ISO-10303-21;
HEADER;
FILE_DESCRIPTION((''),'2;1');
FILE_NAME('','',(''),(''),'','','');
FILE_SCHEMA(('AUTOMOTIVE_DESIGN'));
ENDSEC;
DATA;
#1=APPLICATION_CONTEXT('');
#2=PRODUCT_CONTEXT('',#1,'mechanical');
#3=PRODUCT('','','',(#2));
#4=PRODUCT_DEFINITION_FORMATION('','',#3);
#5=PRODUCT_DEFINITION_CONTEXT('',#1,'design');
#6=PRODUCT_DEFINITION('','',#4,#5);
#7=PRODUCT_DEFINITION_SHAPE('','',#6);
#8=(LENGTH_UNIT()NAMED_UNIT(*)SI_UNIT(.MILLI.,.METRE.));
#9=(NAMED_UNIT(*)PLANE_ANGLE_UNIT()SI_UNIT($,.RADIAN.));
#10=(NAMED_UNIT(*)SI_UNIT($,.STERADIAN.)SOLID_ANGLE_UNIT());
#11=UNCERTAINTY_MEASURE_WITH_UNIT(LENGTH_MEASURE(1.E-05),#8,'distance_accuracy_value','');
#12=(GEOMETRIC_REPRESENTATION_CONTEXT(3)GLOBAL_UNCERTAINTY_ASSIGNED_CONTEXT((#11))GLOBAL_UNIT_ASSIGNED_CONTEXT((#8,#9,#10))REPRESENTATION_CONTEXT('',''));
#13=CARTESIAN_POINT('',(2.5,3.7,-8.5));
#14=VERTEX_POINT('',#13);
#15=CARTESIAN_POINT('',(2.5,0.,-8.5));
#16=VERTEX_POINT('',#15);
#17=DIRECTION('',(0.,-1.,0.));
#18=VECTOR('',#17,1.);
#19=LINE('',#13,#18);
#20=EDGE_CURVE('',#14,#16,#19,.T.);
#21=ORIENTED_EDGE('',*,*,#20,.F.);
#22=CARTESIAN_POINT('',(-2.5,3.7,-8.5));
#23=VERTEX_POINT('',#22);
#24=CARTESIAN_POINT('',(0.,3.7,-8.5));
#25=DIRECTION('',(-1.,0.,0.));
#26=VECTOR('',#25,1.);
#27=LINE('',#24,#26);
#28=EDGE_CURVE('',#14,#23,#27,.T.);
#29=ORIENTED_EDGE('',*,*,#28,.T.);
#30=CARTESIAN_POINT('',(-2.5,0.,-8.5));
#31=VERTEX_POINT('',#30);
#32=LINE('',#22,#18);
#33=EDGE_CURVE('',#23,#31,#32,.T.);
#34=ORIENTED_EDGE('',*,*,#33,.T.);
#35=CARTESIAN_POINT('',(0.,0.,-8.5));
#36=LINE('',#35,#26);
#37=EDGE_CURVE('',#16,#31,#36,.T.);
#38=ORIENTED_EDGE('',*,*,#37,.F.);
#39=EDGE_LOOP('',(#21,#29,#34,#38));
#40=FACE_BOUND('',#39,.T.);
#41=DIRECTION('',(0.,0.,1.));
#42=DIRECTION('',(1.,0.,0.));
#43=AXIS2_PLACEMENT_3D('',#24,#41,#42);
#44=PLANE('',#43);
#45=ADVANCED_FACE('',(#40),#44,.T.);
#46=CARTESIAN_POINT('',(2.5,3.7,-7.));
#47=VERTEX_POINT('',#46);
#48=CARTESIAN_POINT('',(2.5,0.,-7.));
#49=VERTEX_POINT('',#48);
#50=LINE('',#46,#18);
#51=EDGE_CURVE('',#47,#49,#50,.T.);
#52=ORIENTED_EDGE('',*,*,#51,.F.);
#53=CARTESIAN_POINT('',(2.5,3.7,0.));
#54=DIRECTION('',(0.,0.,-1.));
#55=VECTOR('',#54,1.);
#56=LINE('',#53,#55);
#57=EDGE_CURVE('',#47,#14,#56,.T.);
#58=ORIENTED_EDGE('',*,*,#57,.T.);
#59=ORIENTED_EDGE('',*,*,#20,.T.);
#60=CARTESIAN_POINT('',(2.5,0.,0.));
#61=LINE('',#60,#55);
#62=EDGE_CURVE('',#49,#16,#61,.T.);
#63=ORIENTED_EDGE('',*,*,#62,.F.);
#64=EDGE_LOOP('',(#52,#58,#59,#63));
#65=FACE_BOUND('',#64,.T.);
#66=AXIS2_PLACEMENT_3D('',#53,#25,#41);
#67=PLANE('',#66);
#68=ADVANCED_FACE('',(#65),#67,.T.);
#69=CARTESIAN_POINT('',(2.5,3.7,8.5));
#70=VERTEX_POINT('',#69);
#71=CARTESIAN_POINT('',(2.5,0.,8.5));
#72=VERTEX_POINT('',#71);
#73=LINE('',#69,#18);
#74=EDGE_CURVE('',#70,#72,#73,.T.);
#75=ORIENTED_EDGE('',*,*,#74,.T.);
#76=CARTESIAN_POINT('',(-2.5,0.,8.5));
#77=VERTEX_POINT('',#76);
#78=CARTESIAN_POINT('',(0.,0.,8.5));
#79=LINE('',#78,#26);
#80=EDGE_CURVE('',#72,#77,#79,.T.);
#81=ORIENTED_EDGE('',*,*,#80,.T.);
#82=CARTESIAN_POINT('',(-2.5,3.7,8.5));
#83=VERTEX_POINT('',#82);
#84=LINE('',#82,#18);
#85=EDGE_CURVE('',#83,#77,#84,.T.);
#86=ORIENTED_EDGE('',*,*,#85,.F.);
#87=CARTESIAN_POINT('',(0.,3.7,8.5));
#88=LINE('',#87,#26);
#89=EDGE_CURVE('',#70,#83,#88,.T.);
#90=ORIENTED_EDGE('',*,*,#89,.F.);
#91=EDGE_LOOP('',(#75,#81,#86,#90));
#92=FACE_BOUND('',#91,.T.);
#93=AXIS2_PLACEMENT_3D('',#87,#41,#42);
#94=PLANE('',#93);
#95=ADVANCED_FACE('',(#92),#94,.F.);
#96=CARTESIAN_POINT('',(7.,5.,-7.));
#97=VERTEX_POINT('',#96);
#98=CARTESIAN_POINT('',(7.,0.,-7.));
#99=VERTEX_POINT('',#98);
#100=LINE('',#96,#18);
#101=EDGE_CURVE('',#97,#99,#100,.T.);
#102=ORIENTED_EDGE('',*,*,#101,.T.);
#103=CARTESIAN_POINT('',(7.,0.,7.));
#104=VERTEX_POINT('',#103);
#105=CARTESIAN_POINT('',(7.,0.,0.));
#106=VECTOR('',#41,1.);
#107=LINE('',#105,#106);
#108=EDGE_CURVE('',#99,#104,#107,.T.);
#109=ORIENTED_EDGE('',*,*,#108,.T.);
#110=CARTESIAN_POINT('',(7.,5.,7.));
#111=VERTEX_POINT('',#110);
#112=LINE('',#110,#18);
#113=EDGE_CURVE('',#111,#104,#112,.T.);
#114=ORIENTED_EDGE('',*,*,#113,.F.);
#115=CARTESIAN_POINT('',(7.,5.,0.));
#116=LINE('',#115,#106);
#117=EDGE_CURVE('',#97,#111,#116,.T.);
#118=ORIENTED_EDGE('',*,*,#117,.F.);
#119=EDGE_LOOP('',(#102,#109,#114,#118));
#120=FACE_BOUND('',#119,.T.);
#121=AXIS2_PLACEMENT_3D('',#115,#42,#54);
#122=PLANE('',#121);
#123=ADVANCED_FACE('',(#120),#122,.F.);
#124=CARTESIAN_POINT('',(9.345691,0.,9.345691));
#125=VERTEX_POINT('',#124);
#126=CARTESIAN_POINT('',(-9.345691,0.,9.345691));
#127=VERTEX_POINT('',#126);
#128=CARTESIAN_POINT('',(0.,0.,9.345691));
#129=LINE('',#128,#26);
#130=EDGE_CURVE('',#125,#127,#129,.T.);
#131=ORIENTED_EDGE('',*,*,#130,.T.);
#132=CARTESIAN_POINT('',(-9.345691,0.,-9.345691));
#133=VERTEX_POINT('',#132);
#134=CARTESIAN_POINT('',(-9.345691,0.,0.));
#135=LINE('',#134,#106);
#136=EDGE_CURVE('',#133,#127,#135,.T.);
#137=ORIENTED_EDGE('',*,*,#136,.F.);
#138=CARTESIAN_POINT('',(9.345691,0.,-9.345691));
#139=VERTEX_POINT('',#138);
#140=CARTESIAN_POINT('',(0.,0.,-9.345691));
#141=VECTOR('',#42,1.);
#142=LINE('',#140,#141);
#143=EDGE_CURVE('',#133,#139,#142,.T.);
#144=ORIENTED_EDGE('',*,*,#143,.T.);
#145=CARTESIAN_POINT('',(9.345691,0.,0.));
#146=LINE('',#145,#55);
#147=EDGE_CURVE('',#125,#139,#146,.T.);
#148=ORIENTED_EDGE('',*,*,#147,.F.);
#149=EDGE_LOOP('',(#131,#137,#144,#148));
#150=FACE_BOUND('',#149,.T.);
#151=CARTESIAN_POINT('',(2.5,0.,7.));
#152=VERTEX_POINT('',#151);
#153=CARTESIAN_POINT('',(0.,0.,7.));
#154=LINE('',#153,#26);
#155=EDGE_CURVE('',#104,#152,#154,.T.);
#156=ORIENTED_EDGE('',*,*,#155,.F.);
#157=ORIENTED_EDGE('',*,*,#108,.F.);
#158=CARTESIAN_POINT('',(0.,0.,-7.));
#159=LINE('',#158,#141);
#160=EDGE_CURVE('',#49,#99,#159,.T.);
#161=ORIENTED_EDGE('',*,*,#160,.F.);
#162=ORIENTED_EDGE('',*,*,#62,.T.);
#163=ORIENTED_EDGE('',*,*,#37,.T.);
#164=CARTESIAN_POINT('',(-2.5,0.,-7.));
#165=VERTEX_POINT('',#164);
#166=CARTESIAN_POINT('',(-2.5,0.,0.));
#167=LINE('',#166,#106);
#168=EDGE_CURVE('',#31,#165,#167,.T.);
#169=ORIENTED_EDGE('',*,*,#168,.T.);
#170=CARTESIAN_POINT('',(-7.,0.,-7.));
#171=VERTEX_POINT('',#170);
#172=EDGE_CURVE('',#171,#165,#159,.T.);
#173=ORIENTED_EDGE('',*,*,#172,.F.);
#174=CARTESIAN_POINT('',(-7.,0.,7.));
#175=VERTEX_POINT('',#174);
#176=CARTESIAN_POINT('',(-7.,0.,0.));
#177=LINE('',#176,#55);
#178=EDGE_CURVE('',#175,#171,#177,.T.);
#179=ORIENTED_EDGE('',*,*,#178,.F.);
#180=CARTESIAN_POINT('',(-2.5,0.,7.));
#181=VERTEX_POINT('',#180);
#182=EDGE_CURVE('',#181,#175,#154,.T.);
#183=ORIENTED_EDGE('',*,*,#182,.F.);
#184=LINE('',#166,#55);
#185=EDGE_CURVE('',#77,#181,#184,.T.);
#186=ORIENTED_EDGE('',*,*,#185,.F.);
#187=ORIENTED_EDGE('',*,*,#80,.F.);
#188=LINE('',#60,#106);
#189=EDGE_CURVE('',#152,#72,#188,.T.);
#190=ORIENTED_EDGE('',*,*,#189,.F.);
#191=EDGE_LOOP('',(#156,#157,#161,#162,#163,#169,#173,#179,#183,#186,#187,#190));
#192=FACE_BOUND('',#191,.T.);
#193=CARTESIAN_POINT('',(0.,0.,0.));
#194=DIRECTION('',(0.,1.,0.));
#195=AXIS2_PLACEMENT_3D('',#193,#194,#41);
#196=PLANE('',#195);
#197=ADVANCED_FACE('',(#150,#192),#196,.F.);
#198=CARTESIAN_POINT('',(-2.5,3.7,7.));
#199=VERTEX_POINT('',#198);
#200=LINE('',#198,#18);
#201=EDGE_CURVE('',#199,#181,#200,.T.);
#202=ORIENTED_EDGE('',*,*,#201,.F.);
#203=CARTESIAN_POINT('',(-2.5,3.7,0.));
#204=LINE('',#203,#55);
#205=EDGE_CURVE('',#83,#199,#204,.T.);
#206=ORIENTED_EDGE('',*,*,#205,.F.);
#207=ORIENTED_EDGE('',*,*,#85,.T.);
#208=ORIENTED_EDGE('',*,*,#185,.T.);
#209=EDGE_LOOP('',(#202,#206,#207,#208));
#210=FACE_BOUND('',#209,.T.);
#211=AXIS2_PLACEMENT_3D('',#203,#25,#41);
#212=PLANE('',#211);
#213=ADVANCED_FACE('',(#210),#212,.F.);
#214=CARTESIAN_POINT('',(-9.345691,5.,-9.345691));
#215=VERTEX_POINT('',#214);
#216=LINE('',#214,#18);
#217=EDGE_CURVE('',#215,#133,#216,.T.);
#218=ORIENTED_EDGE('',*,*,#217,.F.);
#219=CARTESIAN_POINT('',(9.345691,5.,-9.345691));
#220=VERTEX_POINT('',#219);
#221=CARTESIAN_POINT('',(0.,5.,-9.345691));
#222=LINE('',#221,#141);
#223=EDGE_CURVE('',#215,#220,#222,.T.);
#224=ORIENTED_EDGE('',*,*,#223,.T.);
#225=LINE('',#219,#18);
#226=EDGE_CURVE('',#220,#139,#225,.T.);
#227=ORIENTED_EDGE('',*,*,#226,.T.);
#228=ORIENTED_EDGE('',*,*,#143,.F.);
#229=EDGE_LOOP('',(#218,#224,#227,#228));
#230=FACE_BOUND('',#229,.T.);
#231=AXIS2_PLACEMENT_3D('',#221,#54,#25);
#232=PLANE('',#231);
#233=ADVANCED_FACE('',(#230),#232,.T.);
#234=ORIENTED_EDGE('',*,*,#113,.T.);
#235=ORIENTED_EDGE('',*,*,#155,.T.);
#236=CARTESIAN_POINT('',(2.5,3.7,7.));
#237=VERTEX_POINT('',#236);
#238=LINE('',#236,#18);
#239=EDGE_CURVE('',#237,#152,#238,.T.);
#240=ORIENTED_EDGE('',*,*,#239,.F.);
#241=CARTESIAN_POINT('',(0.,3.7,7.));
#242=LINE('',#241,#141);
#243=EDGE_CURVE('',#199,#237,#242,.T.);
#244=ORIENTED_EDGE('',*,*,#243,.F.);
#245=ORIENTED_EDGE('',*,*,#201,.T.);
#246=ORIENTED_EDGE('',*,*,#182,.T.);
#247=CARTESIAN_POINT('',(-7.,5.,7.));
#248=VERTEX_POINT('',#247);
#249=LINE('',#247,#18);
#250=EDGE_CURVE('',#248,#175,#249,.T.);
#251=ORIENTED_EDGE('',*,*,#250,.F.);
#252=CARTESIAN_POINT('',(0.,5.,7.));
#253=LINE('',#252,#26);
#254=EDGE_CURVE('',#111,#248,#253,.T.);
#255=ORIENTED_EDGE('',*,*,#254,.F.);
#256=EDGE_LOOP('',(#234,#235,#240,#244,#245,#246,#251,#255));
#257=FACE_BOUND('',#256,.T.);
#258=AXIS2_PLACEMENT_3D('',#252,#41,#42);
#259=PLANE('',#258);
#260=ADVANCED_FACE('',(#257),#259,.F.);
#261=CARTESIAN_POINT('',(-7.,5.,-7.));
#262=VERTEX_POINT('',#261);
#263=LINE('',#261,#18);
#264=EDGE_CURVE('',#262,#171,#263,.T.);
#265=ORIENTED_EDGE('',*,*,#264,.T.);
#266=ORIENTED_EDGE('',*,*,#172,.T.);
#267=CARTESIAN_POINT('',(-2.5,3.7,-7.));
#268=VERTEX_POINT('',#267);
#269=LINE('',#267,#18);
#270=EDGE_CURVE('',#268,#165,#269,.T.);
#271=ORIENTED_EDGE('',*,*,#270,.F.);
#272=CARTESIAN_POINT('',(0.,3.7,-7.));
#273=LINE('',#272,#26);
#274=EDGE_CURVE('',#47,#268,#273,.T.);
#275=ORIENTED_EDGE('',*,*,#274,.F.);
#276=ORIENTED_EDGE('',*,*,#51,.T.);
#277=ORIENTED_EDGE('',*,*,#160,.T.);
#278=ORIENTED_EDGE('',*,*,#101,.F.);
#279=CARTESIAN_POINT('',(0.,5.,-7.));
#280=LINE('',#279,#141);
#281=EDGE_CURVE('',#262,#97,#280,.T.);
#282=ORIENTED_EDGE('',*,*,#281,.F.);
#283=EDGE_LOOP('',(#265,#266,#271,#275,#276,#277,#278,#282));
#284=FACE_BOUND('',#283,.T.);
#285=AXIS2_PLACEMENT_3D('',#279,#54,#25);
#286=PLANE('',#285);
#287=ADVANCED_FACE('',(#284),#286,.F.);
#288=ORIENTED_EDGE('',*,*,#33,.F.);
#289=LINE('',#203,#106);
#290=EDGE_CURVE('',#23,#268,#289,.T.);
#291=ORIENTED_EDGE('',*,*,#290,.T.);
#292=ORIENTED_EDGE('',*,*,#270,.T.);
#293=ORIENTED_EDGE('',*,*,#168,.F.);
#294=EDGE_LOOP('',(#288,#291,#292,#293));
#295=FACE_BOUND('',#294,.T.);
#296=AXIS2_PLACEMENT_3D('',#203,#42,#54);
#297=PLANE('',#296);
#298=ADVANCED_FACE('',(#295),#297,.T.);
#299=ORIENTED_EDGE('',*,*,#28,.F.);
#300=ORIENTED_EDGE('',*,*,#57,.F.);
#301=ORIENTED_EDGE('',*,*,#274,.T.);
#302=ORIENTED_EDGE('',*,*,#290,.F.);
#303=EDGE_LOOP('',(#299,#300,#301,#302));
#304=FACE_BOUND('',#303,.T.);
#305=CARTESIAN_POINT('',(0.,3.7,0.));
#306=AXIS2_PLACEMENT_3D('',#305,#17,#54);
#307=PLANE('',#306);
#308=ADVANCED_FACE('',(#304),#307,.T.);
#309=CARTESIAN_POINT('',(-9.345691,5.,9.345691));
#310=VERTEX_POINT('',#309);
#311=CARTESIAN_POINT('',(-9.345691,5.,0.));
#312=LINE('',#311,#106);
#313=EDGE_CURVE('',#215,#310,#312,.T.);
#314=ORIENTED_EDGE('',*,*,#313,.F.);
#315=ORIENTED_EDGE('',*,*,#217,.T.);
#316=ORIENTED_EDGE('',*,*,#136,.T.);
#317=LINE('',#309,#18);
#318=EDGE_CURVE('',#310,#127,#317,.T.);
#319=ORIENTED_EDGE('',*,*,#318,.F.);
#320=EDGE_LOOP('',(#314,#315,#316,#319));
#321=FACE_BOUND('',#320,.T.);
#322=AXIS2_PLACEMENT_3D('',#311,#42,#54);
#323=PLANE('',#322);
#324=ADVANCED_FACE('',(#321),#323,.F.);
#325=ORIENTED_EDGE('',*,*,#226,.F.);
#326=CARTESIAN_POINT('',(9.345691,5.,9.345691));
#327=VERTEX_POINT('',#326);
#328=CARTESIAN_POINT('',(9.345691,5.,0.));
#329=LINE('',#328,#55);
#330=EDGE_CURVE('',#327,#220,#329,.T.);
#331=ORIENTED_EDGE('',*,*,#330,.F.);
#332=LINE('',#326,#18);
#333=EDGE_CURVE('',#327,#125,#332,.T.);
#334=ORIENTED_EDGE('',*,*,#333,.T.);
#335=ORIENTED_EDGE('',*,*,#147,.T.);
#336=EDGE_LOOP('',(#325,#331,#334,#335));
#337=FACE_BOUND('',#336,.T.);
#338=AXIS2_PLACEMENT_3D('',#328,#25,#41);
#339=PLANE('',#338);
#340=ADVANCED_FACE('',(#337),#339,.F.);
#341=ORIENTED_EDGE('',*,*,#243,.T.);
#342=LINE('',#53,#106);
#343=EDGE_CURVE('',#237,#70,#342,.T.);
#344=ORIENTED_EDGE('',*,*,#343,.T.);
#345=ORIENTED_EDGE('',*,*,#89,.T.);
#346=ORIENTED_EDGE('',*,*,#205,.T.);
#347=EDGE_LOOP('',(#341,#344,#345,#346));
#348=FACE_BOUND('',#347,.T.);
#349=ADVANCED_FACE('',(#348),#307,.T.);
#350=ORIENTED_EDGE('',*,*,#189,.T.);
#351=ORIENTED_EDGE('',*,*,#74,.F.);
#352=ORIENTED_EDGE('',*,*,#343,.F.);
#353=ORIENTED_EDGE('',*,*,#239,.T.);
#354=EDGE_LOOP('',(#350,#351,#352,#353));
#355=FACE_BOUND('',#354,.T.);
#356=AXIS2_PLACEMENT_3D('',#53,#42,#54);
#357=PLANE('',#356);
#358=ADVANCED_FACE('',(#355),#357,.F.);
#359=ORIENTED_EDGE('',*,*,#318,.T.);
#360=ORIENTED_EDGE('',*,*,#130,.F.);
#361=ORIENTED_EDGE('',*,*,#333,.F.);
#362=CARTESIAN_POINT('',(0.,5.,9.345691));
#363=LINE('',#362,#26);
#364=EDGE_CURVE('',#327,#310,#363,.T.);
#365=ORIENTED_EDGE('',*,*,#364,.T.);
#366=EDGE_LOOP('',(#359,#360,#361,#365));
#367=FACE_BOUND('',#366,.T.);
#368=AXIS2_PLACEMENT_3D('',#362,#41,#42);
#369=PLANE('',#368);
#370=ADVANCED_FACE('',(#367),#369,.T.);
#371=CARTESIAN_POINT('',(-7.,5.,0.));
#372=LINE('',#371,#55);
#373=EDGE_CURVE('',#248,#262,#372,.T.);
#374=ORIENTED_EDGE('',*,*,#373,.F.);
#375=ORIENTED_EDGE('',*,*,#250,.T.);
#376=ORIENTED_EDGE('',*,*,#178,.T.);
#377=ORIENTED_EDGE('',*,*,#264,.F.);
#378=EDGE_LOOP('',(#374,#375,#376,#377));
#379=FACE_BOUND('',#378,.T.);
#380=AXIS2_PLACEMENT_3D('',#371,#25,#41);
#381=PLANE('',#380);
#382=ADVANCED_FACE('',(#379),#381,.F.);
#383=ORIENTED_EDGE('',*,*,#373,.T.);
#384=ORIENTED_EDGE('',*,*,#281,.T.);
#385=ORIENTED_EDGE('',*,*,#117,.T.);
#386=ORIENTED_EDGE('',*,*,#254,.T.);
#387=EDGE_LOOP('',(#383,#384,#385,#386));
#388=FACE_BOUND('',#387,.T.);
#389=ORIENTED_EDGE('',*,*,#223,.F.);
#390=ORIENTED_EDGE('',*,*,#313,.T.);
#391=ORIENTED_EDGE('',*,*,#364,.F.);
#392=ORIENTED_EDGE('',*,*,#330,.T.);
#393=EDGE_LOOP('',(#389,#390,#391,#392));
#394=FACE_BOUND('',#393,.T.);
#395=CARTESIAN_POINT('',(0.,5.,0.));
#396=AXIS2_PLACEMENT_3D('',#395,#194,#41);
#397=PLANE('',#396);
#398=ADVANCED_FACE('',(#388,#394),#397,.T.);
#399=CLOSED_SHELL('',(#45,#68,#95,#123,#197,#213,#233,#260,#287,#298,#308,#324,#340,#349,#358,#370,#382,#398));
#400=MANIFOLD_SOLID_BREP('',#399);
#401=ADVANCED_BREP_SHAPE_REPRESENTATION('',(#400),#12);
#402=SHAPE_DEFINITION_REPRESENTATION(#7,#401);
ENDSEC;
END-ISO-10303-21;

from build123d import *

# Parameters (mm, degrees)
BOSS_EXTRUDE2_DEPTH = 5
CUT_EXTRUDE1_DEPTH  = 3.7


with BuildPart() as part:
    # Sketch2 → Boss-Extrude2 (new body)
    with BuildSketch(Plane(origin=(0, 0, 0), x_dir=(1, 0, 0), z_dir=(0, 1, 0))):
        Polygon((-7, -7), (-7, 7), (-9.345690752, 9.345690752), (-9.345690752, -9.345690752), align=None)
        Polygon((-7, 7), (-2.5, 7), (-2.5, 8.5), (2.5, 8.5), (2.5, 7), (7, 7), (9.345690752, 9.345690752), (-9.345690752, 9.345690752), align=None)
        Polygon((-2.5, 7), (0, 7), (2.5, 7), (2.5, 8.5), (-2.5, 8.5), align=None)
        Polygon((9.345690752, -9.345690752), (9.345690752, 9.345690752), (7, 7), (7, -7), align=None)
        Polygon((7, -7), (2.5, -7), (2.5, -8.5), (-2.5, -8.5), (-2.5, -7), (-7, -7), (-9.345690752, -9.345690752), (9.345690752, -9.345690752), align=None)
        Polygon((2.5, -7), (0, -7), (-2.5, -7), (-2.5, -8.5), (2.5, -8.5), align=None)
    extrude(amount=BOSS_EXTRUDE2_DEPTH)

    # Sketch3 → Cut-Extrude1 (cut)
    with BuildSketch(Plane.XZ):
        Polygon((2.5, -7), (0, -7), (-2.5, -7), (-2.5, -8.5), (2.5, -8.5), align=None)
        Polygon((-2.5, 7), (0, 7), (2.5, 7), (2.5, 8.5), (-2.5, 8.5), align=None)
    extrude(amount=-CUT_EXTRUDE1_DEPTH, mode=Mode.SUBTRACT)


solid = part.part
